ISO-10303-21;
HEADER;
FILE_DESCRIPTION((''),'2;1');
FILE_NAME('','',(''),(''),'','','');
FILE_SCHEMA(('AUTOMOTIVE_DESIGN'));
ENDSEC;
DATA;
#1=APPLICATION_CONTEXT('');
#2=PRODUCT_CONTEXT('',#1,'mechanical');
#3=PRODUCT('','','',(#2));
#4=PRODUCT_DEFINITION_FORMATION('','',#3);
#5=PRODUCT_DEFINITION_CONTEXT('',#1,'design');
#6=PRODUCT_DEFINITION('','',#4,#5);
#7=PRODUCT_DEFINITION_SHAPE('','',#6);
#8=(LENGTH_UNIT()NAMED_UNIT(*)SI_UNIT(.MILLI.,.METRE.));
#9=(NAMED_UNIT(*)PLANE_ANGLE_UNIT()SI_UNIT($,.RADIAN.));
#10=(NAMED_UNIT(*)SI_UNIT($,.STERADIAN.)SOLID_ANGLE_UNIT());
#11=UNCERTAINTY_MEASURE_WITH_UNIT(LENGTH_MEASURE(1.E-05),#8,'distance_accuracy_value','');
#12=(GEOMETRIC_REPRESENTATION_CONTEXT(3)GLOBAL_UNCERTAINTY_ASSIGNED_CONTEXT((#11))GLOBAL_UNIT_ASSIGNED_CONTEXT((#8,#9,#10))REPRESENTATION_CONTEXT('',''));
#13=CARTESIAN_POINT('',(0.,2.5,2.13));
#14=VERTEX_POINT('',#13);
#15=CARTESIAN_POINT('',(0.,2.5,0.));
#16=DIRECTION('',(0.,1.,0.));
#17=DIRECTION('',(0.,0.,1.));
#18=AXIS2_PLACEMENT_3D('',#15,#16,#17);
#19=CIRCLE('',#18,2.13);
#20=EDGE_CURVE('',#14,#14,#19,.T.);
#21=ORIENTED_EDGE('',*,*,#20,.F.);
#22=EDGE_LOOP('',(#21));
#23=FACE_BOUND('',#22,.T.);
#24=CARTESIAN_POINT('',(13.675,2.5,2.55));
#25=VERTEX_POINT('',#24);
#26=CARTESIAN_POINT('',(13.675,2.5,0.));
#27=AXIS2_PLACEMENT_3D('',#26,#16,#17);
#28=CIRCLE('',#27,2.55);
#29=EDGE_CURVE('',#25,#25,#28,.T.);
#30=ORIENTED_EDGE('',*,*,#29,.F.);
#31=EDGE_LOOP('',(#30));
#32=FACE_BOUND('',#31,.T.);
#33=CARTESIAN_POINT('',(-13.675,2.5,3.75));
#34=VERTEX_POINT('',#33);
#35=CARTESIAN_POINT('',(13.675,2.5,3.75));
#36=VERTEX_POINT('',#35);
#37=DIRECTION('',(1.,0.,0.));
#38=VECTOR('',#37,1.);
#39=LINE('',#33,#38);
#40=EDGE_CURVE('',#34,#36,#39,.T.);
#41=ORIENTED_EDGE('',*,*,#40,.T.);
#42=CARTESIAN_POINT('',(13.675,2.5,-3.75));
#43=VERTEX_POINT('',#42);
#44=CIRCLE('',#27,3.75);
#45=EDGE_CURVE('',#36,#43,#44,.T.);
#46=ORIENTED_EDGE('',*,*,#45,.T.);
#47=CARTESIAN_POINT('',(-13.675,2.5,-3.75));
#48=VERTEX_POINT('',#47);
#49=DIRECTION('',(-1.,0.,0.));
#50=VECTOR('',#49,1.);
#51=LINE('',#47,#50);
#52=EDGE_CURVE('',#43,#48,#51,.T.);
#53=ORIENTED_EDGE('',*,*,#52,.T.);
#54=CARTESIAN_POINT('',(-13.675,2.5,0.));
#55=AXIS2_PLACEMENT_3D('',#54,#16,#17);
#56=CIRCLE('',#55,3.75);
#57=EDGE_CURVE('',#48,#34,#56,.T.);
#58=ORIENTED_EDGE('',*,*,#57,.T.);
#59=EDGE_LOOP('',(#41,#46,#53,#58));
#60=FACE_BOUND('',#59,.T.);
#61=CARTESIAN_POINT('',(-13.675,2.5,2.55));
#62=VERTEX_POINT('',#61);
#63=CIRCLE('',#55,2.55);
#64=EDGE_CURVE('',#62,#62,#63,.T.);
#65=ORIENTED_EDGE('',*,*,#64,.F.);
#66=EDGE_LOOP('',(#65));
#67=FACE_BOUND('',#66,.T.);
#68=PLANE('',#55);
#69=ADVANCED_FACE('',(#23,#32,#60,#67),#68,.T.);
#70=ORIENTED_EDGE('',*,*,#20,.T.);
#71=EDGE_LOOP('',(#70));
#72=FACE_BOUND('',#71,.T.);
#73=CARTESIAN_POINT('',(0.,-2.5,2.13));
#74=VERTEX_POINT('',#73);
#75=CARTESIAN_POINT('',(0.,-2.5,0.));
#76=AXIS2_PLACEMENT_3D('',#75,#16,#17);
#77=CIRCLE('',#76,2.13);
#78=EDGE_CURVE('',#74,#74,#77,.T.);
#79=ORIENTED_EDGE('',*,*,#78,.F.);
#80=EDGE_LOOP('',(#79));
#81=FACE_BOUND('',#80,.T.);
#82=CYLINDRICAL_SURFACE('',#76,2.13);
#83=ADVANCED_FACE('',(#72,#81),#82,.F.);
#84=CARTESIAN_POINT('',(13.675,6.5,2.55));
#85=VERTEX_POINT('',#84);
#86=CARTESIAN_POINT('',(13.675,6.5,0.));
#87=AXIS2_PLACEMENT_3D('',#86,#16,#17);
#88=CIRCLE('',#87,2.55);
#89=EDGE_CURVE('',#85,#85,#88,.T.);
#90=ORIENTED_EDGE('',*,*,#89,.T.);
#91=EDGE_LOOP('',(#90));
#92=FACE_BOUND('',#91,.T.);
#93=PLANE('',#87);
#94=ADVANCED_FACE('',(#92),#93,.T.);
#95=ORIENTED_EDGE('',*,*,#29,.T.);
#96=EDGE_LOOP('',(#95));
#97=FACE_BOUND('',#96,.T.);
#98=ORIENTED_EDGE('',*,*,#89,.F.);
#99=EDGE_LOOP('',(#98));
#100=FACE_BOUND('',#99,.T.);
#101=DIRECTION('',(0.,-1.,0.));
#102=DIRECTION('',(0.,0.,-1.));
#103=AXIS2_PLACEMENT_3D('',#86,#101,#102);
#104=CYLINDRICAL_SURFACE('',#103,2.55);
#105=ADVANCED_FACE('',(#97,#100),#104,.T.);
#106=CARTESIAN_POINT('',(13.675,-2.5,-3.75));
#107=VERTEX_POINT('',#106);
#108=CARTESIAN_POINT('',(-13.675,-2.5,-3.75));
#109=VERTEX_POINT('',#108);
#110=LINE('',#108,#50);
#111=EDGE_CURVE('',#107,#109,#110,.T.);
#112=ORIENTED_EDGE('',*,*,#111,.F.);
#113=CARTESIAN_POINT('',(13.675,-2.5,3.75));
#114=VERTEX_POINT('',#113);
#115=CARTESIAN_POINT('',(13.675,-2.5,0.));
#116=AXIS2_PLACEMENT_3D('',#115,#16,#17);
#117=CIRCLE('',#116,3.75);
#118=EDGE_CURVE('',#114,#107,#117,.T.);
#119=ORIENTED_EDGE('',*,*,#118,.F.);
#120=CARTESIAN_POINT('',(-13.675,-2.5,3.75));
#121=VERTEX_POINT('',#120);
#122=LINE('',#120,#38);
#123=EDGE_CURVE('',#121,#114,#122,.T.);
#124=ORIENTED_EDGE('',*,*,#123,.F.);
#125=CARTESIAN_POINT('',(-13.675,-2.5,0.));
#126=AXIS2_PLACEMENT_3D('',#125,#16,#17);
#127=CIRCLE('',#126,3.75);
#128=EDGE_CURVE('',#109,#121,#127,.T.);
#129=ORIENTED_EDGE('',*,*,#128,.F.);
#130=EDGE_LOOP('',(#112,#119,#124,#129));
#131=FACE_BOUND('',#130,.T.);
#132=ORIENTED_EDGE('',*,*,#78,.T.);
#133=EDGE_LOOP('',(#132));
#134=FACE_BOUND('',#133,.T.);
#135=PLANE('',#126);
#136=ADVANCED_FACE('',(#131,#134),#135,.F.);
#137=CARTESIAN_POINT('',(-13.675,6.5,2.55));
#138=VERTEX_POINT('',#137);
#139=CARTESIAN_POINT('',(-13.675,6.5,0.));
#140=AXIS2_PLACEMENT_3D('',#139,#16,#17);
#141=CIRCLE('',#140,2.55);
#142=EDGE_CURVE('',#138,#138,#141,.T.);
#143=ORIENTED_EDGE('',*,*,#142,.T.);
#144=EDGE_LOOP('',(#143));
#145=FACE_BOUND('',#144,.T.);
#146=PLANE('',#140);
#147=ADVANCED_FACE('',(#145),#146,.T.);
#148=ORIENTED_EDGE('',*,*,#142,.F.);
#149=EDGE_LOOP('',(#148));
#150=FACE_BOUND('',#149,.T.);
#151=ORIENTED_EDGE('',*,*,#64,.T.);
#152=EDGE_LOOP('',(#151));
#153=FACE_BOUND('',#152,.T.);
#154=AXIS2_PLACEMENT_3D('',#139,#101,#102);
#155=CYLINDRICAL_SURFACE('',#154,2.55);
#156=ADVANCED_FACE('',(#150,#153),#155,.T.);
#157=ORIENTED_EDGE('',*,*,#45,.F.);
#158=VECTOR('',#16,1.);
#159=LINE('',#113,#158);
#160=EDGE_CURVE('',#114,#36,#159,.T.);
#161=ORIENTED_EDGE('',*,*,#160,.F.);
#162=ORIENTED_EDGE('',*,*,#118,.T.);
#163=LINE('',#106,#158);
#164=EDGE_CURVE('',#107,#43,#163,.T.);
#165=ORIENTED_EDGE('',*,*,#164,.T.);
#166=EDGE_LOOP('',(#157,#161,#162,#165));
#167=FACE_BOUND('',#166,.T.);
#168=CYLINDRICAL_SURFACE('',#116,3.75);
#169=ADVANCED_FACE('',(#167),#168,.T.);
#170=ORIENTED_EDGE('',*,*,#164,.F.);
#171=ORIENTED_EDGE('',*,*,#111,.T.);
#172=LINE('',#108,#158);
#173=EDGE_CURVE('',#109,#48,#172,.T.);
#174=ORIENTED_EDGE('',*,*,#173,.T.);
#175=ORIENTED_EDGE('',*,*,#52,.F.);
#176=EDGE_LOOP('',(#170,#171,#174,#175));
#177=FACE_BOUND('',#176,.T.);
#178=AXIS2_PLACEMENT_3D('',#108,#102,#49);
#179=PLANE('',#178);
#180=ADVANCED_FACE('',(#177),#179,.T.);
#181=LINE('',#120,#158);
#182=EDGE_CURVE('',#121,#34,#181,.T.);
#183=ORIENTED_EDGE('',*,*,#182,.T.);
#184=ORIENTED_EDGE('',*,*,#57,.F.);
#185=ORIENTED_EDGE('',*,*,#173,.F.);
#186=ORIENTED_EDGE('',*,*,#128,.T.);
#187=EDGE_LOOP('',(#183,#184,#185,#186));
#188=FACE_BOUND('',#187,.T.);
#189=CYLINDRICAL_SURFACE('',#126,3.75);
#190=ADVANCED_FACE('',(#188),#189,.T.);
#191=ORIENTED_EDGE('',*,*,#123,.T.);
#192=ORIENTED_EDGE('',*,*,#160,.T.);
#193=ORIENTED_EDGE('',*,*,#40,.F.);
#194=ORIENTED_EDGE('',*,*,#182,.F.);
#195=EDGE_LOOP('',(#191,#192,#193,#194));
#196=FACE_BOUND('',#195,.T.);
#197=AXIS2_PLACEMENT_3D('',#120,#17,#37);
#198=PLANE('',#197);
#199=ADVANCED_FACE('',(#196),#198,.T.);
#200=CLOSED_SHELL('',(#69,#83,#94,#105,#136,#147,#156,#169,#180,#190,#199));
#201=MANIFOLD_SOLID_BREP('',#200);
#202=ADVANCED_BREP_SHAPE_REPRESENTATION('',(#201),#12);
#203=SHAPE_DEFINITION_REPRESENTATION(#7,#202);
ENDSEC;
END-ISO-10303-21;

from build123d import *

# Parameters (mm, degrees)
BOSS_EXTRUDE1_DEPTH      = 2.5
BOSS_EXTRUDE1_DEPTH_BACK = 2.5
SKETCH1_R                = 2.13
SKETCH2_R                = 2.55
BOSS_EXTRUDE2_DEPTH      = 4


with BuildPart() as part:
    # Sketch1 → Boss-Extrude1 (new, two sides: drawn at the far end of the back side and taken through both)
    with BuildSketch(Plane(origin=(0, 0, 0), x_dir=(1, 0, 0), z_dir=(0, 1, 0)).offset(-BOSS_EXTRUDE1_DEPTH_BACK)):
        with BuildLine():
            Line((-13.675, 3.75), (13.675, 3.75))
            ThreePointArc((13.675, 3.75), (17.425, 0), (13.675, -3.75))
            Line((13.675, -3.75), (-13.675, -3.75))
            ThreePointArc((-13.675, -3.75), (-17.425, 0), (-13.675, 3.75))
        make_face()
        Circle(SKETCH1_R, mode=Mode.SUBTRACT)
    extrude(amount=BOSS_EXTRUDE1_DEPTH + BOSS_EXTRUDE1_DEPTH_BACK)

    # Sketch2 → Boss-Extrude2 (add)
    with BuildSketch(Plane(origin=(0, 2.5, 0), x_dir=(1, 0, 0), z_dir=(0, 1, 0))):
        with Locations((-13.675, 0)):
            Circle(SKETCH2_R)
        with Locations((13.675, 0)):
            Circle(SKETCH2_R)
    extrude(amount=BOSS_EXTRUDE2_DEPTH)


solid = part.part
